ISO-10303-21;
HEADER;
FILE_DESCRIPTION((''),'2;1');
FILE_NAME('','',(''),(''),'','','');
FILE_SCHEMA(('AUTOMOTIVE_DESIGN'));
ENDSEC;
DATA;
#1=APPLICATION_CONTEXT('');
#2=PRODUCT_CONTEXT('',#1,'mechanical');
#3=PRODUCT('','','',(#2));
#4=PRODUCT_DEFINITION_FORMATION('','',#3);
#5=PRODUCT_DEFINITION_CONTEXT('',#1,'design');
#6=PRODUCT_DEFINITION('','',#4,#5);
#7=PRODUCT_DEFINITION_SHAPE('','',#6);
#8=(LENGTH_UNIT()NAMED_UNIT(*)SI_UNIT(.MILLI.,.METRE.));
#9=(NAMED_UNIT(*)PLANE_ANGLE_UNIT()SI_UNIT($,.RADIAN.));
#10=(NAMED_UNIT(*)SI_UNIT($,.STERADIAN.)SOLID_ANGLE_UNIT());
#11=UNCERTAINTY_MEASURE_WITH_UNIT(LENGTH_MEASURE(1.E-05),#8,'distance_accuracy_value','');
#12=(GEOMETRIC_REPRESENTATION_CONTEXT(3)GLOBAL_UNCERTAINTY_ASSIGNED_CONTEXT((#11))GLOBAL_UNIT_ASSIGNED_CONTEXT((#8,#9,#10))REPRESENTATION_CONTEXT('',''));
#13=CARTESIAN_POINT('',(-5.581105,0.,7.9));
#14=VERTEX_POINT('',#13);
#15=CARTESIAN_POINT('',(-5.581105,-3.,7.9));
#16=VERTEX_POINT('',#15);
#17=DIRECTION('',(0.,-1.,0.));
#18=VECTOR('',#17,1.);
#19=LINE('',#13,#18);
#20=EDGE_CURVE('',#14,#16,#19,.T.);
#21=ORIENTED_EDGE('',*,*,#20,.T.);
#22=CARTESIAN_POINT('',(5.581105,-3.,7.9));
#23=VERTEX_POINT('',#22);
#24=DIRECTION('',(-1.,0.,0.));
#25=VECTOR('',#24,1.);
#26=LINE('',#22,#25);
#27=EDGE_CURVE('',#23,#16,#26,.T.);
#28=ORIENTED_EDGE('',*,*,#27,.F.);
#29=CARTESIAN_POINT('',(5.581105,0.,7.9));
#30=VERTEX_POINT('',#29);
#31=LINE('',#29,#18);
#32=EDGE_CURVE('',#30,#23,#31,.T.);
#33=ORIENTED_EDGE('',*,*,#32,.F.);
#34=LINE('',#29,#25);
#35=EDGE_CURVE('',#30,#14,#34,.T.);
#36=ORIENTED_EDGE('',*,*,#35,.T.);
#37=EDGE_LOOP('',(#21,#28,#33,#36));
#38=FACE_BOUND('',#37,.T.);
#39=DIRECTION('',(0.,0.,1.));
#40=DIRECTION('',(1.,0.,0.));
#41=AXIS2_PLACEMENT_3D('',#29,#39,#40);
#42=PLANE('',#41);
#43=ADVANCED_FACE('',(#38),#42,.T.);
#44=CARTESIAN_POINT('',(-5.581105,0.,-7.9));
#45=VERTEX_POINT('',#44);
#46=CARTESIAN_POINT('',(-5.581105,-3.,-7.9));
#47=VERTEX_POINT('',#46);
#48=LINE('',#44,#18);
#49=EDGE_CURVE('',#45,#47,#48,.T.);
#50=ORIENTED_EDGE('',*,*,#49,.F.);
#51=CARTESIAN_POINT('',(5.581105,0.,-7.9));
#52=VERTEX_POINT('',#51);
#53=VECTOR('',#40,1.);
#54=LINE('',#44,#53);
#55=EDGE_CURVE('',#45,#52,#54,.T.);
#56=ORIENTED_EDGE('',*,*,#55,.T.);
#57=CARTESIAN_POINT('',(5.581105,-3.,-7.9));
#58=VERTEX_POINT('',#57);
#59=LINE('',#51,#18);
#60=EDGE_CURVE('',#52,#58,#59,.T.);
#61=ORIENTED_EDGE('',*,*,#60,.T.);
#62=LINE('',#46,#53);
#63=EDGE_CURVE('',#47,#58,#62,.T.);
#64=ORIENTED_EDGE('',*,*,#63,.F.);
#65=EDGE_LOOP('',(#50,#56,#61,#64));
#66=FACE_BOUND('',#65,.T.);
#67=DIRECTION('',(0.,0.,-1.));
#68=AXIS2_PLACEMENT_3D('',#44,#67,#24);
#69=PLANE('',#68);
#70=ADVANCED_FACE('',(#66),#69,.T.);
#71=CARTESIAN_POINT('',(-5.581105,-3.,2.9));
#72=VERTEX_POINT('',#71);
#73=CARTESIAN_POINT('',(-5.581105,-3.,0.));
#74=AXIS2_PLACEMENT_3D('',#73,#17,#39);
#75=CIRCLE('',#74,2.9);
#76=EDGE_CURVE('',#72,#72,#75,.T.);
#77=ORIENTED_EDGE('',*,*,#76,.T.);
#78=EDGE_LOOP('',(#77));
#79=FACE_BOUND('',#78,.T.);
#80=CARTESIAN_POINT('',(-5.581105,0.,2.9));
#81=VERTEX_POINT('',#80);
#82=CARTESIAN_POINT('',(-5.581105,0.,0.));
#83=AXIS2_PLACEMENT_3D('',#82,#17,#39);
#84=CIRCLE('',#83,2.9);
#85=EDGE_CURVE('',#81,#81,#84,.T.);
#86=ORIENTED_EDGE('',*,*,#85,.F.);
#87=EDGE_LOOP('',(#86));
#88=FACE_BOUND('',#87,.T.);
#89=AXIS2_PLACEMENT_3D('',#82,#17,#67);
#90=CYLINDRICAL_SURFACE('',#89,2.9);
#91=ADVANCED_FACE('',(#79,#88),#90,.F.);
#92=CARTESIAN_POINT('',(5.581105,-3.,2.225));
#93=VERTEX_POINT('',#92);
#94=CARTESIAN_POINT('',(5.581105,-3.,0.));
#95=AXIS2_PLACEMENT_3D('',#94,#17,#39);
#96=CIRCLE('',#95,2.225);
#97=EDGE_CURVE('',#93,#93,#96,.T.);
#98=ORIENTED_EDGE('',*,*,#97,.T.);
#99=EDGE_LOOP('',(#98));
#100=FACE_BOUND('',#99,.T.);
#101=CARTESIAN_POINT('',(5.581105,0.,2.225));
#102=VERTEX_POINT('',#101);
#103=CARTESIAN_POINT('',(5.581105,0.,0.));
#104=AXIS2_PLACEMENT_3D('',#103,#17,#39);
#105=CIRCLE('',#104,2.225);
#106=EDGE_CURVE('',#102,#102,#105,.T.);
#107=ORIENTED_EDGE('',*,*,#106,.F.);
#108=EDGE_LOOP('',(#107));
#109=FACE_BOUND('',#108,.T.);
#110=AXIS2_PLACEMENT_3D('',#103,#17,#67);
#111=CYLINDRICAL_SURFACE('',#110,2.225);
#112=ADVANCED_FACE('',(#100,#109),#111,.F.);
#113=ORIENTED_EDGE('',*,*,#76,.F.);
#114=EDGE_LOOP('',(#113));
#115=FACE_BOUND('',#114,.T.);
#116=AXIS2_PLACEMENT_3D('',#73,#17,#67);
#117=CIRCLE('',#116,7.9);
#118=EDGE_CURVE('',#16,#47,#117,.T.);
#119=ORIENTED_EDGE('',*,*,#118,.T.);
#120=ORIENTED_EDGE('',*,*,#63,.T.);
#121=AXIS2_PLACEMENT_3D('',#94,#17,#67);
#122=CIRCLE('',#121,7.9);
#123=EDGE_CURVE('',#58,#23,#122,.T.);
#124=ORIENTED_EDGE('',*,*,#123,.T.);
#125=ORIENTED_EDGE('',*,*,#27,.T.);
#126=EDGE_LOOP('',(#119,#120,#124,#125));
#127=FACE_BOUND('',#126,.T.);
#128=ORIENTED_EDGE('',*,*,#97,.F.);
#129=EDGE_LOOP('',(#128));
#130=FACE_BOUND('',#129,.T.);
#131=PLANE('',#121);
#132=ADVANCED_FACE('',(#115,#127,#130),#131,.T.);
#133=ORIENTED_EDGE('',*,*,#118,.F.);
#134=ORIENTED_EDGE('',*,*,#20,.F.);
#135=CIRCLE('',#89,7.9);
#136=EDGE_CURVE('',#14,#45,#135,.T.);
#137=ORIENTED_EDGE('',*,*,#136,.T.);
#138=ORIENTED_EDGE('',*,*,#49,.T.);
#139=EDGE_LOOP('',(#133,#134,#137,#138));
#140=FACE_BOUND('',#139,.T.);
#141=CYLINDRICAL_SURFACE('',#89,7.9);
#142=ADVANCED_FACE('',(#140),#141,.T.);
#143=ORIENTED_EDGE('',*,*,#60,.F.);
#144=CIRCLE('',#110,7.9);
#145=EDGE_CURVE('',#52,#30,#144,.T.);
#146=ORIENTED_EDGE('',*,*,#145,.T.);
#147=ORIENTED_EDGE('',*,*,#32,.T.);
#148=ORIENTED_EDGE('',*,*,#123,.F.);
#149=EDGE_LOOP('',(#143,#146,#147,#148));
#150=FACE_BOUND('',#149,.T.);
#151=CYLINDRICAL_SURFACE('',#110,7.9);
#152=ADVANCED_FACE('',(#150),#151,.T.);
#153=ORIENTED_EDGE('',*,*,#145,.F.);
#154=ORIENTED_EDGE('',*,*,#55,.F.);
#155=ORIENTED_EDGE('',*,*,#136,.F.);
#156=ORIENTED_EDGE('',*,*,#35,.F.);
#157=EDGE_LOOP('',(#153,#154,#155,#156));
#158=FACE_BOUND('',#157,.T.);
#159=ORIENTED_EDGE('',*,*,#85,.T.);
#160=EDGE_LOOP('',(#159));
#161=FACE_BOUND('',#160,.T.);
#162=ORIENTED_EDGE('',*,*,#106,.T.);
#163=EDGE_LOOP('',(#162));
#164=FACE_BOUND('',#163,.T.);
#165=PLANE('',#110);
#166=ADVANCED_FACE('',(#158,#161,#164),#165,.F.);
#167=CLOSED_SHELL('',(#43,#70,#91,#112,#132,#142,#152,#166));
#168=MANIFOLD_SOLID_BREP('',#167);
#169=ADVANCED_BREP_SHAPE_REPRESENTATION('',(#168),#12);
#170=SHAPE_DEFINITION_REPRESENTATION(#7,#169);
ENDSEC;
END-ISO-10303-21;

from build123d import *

# Parameters (mm, degrees)
SKETCH1_R           = 2.9
SKETCH1_R_2         = 2.225
BOSS_EXTRUDE1_DEPTH = 3


with BuildPart() as part:
    # Sketch1 → Boss-Extrude1 (new body)
    with BuildSketch(Plane.XZ.offset(3)):
        with BuildLine():
            Line((5.581105, 7.9), (-5.581105, 7.9))
            ThreePointArc((-5.581105, 7.9), (-13.481105, 0), (-5.581105, -7.9))
            Line((-5.581105, -7.9), (5.581105, -7.9))
            ThreePointArc((5.581105, -7.9), (13.481105, 0), (5.581105, 7.9))
        make_face()
        with Locations((-5.581105, 0)):
            Circle(SKETCH1_R, mode=Mode.SUBTRACT)
        with Locations((5.581105, 0)):
            Circle(SKETCH1_R_2, mode=Mode.SUBTRACT)
    extrude(amount=-BOSS_EXTRUDE1_DEPTH)


solid = part.part
